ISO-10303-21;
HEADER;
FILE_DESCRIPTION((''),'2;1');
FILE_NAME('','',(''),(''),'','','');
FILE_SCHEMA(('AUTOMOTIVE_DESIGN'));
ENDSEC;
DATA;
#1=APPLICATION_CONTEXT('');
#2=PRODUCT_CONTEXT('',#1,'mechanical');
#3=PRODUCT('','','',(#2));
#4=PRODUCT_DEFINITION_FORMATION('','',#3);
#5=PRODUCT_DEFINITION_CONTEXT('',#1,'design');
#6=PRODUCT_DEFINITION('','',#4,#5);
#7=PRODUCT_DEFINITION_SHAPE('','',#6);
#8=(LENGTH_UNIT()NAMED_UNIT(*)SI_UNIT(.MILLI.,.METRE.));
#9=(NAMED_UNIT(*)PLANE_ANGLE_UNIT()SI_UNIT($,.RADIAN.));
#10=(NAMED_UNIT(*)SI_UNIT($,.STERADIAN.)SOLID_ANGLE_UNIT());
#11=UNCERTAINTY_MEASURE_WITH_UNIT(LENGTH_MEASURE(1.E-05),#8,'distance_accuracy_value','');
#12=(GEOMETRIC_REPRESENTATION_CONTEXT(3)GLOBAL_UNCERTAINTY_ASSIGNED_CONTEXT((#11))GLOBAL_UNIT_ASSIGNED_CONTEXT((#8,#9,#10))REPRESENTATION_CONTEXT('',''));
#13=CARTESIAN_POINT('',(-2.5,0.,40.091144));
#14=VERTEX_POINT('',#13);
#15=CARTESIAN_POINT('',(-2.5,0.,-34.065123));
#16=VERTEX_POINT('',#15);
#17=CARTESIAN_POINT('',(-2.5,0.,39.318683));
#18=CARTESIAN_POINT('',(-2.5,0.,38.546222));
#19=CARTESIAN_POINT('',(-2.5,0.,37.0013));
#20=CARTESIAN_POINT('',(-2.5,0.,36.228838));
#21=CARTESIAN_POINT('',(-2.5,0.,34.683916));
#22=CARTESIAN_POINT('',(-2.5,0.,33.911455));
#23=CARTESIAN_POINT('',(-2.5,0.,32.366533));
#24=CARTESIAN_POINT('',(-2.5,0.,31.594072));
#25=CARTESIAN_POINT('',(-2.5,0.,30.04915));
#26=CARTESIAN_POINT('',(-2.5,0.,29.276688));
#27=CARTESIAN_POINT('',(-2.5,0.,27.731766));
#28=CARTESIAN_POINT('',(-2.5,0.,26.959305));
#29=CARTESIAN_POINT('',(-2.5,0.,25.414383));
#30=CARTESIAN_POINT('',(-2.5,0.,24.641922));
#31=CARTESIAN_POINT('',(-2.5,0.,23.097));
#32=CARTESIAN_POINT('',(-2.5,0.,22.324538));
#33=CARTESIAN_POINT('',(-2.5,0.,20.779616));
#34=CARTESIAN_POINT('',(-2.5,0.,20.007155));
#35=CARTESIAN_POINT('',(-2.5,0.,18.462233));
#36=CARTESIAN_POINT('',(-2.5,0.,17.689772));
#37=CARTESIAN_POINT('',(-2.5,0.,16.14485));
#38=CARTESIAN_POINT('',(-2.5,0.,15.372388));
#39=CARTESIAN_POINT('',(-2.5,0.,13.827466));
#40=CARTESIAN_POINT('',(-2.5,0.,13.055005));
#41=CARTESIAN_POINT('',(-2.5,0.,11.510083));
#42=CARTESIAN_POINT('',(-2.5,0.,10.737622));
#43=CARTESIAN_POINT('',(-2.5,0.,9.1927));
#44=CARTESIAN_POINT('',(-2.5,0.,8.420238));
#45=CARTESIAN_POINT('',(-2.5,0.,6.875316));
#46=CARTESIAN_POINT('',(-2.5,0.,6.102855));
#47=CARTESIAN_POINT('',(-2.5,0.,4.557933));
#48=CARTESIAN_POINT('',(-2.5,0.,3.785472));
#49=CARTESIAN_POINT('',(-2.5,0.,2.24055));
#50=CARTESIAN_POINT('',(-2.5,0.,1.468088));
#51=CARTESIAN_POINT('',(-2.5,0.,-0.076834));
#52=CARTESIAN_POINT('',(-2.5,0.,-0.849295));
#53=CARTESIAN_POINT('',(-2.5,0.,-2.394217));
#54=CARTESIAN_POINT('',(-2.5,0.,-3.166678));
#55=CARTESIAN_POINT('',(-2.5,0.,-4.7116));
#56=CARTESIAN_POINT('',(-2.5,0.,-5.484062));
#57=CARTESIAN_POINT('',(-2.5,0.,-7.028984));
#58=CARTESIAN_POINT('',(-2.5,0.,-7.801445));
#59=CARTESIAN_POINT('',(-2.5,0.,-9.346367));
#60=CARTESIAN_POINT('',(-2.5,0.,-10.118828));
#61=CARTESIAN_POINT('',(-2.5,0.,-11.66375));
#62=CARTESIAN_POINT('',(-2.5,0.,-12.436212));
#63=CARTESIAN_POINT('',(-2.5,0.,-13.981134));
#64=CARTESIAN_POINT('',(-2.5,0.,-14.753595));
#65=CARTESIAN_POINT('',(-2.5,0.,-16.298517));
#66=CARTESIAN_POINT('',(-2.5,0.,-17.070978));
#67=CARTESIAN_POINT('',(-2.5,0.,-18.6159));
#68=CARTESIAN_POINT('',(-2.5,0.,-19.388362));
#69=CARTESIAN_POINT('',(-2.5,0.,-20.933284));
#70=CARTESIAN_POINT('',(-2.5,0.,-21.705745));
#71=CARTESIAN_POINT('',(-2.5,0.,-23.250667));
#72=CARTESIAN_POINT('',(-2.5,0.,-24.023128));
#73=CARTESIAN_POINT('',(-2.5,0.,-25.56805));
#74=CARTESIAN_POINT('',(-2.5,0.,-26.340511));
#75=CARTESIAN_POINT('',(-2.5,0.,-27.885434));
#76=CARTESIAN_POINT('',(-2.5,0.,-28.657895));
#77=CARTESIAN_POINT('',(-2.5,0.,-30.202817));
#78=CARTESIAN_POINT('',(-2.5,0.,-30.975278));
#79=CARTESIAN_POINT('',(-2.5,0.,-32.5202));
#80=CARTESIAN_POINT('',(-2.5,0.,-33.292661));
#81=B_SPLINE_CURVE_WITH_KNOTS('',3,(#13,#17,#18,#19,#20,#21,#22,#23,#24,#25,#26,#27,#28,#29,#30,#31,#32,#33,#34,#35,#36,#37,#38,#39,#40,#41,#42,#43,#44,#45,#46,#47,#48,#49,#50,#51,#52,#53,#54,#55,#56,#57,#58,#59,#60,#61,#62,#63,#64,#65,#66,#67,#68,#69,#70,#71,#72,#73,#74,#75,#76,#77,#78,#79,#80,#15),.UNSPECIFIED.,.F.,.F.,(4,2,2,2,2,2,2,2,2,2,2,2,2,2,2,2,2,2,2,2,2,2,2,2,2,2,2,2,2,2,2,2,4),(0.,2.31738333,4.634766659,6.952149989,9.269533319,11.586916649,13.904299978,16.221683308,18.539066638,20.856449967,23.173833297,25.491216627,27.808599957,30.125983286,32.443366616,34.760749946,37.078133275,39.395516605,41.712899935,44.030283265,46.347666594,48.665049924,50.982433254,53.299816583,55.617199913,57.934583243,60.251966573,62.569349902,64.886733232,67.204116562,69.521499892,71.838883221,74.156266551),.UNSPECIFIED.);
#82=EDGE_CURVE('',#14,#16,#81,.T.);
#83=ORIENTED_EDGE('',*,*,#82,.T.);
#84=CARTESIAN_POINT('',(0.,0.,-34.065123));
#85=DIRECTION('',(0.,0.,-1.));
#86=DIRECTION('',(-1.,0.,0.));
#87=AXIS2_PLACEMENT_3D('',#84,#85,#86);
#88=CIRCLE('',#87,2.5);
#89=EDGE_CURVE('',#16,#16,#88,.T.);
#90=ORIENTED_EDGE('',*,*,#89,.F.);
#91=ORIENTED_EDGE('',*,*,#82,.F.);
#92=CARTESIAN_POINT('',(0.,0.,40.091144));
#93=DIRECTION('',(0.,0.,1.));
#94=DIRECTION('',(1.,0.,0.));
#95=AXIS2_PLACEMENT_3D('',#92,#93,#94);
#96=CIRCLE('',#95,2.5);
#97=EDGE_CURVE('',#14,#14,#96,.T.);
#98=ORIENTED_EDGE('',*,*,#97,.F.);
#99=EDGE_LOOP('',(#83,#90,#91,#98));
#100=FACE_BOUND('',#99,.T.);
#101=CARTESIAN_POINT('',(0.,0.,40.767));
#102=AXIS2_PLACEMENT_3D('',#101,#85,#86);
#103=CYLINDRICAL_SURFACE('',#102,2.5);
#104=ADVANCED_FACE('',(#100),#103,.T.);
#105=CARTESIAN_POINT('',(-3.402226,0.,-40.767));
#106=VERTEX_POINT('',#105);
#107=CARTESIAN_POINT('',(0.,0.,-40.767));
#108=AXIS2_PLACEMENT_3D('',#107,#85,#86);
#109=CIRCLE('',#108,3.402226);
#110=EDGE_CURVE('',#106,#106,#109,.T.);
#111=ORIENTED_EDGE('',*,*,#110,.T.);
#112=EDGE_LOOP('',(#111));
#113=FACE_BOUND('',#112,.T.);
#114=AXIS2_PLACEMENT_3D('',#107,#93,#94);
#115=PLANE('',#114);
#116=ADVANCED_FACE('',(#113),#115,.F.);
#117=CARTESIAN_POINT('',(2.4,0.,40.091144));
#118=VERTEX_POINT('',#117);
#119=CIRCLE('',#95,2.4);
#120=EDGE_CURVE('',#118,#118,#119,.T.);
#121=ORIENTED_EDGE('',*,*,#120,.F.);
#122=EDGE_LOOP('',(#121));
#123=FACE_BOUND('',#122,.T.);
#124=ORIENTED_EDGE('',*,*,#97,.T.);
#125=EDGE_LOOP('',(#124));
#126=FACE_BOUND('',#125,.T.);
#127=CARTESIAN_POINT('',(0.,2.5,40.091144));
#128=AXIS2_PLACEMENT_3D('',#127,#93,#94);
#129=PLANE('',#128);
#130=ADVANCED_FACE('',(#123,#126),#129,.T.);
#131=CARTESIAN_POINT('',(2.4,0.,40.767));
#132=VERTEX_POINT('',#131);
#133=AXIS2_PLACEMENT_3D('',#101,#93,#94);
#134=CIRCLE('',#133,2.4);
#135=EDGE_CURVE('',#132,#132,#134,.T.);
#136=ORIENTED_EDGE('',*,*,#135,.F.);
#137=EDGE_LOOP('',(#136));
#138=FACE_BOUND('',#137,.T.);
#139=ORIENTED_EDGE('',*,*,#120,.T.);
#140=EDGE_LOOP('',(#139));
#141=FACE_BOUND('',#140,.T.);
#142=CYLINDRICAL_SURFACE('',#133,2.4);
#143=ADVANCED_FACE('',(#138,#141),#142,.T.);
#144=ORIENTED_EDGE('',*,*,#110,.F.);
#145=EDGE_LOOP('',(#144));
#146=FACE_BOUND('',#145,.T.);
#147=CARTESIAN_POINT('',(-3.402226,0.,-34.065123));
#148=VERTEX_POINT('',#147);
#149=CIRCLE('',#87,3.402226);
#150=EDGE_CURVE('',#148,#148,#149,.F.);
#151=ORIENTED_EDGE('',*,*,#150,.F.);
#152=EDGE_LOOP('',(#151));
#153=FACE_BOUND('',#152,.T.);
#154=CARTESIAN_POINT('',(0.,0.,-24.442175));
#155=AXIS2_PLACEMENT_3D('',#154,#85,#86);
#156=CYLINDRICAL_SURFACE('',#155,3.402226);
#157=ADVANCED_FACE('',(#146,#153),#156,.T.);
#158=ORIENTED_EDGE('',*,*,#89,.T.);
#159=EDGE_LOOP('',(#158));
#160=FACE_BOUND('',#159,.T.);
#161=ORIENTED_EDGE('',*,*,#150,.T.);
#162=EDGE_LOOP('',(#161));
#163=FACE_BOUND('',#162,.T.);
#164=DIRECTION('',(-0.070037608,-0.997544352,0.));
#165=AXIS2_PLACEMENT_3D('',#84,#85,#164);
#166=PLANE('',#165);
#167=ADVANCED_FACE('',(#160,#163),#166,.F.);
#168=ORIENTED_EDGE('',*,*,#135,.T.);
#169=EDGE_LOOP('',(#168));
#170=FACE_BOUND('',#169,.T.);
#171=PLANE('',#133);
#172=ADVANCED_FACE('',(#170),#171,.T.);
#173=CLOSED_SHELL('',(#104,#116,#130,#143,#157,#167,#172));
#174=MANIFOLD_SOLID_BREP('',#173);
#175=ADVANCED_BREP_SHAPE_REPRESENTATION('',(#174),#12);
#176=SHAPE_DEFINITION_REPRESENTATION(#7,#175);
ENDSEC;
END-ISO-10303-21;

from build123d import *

# Parameters (mm, degrees)
SKETCH1_R           = 2.5
BOSS_EXTRUDE1_DEPTH = 40.767
SKETCH2_W           = 0.7
SKETCH2_H           = 0.1
SKETCH4_R           = 3.402225697
BOSS_EXTRUDE2_DEPTH = 6.701877401


with BuildPart() as part:
    # Sketch1 → Boss-Extrude1 (new, symmetric)
    with BuildSketch(Plane.XY):
        with Locations(Location((0, 0, 0), (0, 0, 180))):
            Circle(SKETCH1_R)
    extrude(amount=BOSS_EXTRUDE1_DEPTH, both=True)

    # Sketch2 → Cut-Revolve1 (revolve, cut)
    with BuildSketch(Plane(origin=(0, 0, 0), x_dir=(0, 0, -1), z_dir=(1, 0, 0)), mode=Mode.PRIVATE) as cut_revolve1_sk:
        with Locations((-40.441143952, 2.45)):
            Rectangle(SKETCH2_W, SKETCH2_H)
    revolve(cut_revolve1_sk.sketch.rotate(Axis((0, 0, 40.767), (0, 0, -1)), 270), axis=Axis((0, 0, 40.767), (0, 0, -1)), mode=Mode.SUBTRACT)

    # Sketch4 → Boss-Extrude2 (add)
    with BuildSketch(Plane(origin=(0, 0, -40.767), x_dir=(-1, 0, 0), z_dir=(0, 0, -1))):
        Circle(SKETCH4_R)
    extrude(amount=-BOSS_EXTRUDE2_DEPTH)


solid = part.part
